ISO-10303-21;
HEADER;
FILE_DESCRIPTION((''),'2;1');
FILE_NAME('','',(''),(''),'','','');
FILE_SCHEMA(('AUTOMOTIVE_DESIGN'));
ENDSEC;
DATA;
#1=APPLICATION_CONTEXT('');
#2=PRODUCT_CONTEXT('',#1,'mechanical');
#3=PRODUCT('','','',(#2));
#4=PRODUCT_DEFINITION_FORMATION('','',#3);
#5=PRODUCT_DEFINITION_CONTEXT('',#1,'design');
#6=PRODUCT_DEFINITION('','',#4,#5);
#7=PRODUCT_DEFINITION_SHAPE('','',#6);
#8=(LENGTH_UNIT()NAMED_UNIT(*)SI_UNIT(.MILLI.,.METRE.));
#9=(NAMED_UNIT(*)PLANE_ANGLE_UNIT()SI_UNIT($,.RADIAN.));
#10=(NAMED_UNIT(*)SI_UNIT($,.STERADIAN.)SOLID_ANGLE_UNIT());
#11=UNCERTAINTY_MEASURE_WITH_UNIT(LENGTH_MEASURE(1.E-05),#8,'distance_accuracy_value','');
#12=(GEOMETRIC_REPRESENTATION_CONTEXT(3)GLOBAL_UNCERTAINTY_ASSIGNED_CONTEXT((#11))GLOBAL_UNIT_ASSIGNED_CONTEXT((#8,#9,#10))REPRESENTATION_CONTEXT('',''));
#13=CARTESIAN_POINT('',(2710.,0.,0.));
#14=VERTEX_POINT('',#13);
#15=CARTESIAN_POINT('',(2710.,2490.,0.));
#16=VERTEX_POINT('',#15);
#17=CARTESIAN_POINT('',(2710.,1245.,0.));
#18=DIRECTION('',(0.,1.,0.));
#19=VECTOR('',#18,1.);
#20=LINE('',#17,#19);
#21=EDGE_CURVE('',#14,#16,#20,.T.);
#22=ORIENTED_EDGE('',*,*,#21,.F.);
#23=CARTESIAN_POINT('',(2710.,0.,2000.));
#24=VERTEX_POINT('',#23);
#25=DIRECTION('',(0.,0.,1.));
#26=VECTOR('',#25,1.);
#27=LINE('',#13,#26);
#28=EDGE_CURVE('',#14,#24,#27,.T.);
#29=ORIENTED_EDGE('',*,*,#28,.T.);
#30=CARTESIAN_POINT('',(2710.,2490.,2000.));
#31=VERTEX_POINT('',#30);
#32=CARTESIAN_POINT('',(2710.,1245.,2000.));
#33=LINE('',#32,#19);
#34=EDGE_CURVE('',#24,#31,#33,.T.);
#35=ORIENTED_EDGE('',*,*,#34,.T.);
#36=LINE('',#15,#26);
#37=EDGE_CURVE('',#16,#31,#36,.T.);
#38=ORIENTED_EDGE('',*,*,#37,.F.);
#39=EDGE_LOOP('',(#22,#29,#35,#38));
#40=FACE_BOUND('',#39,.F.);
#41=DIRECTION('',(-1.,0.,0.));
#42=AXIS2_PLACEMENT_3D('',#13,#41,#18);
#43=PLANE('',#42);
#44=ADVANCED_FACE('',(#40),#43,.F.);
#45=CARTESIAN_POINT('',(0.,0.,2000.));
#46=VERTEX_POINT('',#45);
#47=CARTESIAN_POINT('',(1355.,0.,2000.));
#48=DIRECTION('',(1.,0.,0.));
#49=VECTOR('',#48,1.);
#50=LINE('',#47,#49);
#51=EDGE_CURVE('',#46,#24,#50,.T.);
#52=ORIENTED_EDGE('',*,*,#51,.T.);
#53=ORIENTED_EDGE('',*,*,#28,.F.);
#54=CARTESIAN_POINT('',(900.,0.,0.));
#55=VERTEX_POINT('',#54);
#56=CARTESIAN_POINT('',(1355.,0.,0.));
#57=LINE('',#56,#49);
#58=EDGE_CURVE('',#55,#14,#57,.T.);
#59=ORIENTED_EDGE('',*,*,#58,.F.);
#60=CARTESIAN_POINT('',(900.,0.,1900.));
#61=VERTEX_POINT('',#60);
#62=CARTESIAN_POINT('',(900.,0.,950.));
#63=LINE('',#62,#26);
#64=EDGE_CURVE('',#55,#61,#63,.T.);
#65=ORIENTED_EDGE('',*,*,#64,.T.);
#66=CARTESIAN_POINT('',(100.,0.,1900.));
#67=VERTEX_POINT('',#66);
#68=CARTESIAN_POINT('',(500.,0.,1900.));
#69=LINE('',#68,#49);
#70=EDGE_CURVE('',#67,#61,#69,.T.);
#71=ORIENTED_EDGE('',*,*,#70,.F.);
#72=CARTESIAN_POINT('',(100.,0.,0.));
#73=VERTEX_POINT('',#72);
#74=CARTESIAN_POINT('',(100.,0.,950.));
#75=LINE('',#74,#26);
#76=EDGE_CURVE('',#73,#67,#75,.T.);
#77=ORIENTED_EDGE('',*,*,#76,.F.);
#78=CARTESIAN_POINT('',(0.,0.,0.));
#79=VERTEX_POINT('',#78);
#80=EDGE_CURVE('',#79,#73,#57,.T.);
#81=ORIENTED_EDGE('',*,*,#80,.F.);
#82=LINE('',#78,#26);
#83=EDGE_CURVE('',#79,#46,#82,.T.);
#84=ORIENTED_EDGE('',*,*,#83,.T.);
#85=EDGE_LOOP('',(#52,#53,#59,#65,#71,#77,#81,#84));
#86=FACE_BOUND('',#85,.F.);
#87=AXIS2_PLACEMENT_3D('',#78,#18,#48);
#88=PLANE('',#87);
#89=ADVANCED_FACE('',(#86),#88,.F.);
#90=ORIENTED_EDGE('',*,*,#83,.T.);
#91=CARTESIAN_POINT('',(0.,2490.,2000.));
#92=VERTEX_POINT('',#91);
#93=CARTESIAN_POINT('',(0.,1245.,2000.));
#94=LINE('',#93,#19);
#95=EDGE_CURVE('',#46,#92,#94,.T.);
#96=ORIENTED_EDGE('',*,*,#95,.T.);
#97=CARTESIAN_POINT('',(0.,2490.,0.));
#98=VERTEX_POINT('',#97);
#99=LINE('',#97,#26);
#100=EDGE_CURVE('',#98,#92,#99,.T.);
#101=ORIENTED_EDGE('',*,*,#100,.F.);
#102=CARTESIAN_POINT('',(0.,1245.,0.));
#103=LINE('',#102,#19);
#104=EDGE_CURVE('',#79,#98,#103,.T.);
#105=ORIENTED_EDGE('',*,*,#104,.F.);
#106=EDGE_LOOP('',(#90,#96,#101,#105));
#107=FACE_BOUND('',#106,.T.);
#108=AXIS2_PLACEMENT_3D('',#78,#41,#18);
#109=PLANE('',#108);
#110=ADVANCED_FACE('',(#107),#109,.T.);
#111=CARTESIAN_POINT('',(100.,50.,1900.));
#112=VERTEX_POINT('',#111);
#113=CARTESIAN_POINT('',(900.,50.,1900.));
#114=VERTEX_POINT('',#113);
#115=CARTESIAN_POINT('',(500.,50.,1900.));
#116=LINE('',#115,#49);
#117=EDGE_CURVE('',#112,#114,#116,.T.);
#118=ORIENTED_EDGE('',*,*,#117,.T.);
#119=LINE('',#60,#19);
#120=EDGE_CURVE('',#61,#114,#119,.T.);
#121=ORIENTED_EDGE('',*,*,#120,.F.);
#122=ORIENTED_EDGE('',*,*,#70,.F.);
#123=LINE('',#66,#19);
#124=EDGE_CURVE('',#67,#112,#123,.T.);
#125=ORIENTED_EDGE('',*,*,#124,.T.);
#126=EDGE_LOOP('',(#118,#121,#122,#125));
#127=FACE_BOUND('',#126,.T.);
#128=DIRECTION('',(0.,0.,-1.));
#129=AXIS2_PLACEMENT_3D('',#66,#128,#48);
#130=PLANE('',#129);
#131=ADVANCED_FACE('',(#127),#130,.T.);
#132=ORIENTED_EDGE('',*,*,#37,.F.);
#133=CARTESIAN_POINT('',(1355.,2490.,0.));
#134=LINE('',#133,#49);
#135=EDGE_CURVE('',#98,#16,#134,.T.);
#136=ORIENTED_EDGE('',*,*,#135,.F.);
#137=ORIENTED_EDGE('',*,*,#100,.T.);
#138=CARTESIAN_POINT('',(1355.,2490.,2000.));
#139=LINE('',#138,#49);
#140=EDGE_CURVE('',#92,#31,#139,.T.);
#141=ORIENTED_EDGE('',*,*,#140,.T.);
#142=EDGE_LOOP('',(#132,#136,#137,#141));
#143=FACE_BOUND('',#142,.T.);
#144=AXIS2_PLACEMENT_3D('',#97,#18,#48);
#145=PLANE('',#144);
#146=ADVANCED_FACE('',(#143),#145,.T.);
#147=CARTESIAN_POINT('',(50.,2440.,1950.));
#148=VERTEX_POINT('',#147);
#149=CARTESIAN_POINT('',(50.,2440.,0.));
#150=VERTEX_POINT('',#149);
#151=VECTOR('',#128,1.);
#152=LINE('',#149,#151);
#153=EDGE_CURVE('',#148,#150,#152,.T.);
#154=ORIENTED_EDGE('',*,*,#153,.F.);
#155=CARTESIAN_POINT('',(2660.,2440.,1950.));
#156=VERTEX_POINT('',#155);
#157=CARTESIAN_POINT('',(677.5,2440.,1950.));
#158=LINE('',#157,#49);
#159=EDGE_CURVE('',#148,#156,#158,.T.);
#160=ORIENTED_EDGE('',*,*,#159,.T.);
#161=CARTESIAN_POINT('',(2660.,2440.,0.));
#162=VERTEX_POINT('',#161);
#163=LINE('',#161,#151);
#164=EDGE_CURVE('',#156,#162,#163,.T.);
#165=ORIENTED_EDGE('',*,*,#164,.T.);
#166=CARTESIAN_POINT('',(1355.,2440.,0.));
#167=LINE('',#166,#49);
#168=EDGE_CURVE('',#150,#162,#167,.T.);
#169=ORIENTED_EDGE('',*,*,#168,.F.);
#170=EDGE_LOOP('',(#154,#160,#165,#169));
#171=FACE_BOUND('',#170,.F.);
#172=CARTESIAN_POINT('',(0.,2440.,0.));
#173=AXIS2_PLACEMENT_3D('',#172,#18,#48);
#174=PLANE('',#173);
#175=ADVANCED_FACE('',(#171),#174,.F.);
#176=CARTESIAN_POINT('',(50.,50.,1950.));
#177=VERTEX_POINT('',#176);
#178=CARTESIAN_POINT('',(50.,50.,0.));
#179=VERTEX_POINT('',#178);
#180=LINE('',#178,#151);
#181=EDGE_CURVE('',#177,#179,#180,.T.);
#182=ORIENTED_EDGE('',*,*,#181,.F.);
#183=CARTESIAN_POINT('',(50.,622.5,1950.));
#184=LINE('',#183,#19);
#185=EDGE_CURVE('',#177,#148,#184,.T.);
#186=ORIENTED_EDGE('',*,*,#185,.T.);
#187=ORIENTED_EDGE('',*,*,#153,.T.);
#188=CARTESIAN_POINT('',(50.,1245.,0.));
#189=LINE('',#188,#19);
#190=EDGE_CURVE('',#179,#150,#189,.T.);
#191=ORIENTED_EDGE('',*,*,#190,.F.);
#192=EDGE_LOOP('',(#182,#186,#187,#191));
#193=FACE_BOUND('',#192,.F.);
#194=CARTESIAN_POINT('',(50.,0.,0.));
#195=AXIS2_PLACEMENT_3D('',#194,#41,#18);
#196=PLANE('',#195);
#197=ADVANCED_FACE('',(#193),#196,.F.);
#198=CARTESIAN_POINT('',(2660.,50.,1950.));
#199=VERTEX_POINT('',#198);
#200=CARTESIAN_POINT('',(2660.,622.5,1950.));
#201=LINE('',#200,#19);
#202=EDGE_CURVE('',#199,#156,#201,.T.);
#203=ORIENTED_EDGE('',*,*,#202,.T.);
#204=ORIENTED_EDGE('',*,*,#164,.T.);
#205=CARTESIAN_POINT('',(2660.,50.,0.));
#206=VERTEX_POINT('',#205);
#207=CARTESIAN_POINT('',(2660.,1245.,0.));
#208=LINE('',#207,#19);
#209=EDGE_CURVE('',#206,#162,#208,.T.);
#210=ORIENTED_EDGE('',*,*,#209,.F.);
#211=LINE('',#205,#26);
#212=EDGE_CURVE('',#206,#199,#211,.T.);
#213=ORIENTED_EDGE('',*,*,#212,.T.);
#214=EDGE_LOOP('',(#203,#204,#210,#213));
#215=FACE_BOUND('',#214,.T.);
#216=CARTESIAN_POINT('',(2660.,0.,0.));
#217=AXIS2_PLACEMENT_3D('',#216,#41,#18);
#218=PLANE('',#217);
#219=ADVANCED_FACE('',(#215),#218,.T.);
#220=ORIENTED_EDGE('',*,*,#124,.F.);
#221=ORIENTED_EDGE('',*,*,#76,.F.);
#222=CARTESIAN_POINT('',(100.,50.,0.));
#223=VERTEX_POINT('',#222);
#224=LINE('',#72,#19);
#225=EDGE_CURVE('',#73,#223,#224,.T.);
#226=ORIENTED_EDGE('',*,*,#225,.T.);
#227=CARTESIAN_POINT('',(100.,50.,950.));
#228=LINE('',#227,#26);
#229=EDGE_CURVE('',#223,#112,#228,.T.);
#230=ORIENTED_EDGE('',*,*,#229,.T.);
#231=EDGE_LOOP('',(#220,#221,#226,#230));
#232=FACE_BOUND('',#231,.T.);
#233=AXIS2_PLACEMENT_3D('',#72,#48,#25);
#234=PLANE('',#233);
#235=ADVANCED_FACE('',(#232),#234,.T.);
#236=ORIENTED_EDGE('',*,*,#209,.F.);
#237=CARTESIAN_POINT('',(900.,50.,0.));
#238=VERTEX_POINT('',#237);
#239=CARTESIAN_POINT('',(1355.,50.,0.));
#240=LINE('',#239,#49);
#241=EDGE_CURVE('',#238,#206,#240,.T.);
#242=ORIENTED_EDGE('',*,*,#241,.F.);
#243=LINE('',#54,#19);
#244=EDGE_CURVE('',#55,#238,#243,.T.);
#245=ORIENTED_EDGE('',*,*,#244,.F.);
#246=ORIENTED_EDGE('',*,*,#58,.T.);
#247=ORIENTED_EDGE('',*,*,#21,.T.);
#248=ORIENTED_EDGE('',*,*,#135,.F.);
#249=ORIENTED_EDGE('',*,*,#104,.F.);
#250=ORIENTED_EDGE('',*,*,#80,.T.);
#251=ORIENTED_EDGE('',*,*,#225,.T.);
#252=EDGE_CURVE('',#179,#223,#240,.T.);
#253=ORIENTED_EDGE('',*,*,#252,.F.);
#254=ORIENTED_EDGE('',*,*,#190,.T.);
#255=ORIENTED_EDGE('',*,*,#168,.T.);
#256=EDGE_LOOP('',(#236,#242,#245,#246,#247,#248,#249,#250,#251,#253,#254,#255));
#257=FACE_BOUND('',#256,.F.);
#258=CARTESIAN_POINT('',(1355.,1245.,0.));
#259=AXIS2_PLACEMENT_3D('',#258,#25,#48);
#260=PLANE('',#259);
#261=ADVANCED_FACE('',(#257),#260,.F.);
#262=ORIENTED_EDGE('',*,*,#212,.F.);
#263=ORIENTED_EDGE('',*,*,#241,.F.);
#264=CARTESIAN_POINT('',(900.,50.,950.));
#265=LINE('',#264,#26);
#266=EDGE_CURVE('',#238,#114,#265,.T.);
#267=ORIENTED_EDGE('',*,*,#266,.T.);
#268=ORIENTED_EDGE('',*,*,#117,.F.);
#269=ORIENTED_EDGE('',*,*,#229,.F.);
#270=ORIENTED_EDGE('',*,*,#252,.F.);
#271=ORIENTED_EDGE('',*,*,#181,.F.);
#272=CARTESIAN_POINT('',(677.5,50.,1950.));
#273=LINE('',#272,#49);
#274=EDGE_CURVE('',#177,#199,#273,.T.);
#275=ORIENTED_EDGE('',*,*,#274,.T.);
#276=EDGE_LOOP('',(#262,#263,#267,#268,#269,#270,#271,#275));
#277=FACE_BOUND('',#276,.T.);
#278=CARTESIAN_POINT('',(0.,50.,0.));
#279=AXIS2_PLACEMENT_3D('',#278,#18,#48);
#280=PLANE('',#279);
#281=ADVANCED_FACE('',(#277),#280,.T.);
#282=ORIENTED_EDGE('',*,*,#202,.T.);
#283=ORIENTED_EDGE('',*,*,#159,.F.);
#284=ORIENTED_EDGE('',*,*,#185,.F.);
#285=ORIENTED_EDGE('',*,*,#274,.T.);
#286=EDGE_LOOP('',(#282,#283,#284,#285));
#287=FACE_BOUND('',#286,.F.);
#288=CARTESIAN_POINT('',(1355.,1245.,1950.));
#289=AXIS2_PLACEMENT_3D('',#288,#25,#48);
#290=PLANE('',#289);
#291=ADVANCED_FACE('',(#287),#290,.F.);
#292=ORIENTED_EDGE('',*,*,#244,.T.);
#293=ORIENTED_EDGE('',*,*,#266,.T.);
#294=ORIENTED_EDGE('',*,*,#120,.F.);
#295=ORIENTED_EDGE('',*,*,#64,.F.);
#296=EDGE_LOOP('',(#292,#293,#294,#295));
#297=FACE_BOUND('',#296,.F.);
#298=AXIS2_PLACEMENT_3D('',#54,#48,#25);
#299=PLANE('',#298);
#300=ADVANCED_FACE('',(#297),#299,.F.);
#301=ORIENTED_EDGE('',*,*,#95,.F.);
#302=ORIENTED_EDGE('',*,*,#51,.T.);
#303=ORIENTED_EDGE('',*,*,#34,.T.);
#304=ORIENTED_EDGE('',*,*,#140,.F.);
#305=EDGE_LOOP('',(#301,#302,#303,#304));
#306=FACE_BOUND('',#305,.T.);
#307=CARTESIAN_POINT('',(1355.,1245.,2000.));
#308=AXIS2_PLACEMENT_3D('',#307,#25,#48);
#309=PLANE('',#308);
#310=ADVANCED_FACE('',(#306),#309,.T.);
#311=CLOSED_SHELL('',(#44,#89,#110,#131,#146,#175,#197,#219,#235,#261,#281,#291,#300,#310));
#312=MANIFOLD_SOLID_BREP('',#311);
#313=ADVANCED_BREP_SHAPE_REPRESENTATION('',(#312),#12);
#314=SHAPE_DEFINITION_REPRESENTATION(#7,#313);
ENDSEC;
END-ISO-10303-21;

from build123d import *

# Parameters (mm, degrees)
F0_W     = 2710
F0_H     = 2490
F1_DEPTH = 2000
F2_T     = -50
F3_W     = 800
F3_H     = 1900
F4_DEPTH = 50


with BuildPart() as f1:
    # F0 (on Top) → F1 (new body)
    with BuildSketch(Plane.XY):
        with Locations((1355, 1245)):
            Rectangle(F0_W, F0_H)
    extrude(amount=F1_DEPTH)

    # F2
    f2_openings = [f1.faces().sort_by_distance(p)[0] for p in [
        (1355, 1245, 0),
    ]]
    offset(amount=F2_T, openings=f2_openings)

    # F3 (on face) → F4 (cut, through all)
    with BuildSketch(Plane.XZ):
        with Locations((500, 950)):
            Rectangle(F3_W, F3_H)
    extrude(amount=-F4_DEPTH, mode=Mode.SUBTRACT)


solid = f1.part
